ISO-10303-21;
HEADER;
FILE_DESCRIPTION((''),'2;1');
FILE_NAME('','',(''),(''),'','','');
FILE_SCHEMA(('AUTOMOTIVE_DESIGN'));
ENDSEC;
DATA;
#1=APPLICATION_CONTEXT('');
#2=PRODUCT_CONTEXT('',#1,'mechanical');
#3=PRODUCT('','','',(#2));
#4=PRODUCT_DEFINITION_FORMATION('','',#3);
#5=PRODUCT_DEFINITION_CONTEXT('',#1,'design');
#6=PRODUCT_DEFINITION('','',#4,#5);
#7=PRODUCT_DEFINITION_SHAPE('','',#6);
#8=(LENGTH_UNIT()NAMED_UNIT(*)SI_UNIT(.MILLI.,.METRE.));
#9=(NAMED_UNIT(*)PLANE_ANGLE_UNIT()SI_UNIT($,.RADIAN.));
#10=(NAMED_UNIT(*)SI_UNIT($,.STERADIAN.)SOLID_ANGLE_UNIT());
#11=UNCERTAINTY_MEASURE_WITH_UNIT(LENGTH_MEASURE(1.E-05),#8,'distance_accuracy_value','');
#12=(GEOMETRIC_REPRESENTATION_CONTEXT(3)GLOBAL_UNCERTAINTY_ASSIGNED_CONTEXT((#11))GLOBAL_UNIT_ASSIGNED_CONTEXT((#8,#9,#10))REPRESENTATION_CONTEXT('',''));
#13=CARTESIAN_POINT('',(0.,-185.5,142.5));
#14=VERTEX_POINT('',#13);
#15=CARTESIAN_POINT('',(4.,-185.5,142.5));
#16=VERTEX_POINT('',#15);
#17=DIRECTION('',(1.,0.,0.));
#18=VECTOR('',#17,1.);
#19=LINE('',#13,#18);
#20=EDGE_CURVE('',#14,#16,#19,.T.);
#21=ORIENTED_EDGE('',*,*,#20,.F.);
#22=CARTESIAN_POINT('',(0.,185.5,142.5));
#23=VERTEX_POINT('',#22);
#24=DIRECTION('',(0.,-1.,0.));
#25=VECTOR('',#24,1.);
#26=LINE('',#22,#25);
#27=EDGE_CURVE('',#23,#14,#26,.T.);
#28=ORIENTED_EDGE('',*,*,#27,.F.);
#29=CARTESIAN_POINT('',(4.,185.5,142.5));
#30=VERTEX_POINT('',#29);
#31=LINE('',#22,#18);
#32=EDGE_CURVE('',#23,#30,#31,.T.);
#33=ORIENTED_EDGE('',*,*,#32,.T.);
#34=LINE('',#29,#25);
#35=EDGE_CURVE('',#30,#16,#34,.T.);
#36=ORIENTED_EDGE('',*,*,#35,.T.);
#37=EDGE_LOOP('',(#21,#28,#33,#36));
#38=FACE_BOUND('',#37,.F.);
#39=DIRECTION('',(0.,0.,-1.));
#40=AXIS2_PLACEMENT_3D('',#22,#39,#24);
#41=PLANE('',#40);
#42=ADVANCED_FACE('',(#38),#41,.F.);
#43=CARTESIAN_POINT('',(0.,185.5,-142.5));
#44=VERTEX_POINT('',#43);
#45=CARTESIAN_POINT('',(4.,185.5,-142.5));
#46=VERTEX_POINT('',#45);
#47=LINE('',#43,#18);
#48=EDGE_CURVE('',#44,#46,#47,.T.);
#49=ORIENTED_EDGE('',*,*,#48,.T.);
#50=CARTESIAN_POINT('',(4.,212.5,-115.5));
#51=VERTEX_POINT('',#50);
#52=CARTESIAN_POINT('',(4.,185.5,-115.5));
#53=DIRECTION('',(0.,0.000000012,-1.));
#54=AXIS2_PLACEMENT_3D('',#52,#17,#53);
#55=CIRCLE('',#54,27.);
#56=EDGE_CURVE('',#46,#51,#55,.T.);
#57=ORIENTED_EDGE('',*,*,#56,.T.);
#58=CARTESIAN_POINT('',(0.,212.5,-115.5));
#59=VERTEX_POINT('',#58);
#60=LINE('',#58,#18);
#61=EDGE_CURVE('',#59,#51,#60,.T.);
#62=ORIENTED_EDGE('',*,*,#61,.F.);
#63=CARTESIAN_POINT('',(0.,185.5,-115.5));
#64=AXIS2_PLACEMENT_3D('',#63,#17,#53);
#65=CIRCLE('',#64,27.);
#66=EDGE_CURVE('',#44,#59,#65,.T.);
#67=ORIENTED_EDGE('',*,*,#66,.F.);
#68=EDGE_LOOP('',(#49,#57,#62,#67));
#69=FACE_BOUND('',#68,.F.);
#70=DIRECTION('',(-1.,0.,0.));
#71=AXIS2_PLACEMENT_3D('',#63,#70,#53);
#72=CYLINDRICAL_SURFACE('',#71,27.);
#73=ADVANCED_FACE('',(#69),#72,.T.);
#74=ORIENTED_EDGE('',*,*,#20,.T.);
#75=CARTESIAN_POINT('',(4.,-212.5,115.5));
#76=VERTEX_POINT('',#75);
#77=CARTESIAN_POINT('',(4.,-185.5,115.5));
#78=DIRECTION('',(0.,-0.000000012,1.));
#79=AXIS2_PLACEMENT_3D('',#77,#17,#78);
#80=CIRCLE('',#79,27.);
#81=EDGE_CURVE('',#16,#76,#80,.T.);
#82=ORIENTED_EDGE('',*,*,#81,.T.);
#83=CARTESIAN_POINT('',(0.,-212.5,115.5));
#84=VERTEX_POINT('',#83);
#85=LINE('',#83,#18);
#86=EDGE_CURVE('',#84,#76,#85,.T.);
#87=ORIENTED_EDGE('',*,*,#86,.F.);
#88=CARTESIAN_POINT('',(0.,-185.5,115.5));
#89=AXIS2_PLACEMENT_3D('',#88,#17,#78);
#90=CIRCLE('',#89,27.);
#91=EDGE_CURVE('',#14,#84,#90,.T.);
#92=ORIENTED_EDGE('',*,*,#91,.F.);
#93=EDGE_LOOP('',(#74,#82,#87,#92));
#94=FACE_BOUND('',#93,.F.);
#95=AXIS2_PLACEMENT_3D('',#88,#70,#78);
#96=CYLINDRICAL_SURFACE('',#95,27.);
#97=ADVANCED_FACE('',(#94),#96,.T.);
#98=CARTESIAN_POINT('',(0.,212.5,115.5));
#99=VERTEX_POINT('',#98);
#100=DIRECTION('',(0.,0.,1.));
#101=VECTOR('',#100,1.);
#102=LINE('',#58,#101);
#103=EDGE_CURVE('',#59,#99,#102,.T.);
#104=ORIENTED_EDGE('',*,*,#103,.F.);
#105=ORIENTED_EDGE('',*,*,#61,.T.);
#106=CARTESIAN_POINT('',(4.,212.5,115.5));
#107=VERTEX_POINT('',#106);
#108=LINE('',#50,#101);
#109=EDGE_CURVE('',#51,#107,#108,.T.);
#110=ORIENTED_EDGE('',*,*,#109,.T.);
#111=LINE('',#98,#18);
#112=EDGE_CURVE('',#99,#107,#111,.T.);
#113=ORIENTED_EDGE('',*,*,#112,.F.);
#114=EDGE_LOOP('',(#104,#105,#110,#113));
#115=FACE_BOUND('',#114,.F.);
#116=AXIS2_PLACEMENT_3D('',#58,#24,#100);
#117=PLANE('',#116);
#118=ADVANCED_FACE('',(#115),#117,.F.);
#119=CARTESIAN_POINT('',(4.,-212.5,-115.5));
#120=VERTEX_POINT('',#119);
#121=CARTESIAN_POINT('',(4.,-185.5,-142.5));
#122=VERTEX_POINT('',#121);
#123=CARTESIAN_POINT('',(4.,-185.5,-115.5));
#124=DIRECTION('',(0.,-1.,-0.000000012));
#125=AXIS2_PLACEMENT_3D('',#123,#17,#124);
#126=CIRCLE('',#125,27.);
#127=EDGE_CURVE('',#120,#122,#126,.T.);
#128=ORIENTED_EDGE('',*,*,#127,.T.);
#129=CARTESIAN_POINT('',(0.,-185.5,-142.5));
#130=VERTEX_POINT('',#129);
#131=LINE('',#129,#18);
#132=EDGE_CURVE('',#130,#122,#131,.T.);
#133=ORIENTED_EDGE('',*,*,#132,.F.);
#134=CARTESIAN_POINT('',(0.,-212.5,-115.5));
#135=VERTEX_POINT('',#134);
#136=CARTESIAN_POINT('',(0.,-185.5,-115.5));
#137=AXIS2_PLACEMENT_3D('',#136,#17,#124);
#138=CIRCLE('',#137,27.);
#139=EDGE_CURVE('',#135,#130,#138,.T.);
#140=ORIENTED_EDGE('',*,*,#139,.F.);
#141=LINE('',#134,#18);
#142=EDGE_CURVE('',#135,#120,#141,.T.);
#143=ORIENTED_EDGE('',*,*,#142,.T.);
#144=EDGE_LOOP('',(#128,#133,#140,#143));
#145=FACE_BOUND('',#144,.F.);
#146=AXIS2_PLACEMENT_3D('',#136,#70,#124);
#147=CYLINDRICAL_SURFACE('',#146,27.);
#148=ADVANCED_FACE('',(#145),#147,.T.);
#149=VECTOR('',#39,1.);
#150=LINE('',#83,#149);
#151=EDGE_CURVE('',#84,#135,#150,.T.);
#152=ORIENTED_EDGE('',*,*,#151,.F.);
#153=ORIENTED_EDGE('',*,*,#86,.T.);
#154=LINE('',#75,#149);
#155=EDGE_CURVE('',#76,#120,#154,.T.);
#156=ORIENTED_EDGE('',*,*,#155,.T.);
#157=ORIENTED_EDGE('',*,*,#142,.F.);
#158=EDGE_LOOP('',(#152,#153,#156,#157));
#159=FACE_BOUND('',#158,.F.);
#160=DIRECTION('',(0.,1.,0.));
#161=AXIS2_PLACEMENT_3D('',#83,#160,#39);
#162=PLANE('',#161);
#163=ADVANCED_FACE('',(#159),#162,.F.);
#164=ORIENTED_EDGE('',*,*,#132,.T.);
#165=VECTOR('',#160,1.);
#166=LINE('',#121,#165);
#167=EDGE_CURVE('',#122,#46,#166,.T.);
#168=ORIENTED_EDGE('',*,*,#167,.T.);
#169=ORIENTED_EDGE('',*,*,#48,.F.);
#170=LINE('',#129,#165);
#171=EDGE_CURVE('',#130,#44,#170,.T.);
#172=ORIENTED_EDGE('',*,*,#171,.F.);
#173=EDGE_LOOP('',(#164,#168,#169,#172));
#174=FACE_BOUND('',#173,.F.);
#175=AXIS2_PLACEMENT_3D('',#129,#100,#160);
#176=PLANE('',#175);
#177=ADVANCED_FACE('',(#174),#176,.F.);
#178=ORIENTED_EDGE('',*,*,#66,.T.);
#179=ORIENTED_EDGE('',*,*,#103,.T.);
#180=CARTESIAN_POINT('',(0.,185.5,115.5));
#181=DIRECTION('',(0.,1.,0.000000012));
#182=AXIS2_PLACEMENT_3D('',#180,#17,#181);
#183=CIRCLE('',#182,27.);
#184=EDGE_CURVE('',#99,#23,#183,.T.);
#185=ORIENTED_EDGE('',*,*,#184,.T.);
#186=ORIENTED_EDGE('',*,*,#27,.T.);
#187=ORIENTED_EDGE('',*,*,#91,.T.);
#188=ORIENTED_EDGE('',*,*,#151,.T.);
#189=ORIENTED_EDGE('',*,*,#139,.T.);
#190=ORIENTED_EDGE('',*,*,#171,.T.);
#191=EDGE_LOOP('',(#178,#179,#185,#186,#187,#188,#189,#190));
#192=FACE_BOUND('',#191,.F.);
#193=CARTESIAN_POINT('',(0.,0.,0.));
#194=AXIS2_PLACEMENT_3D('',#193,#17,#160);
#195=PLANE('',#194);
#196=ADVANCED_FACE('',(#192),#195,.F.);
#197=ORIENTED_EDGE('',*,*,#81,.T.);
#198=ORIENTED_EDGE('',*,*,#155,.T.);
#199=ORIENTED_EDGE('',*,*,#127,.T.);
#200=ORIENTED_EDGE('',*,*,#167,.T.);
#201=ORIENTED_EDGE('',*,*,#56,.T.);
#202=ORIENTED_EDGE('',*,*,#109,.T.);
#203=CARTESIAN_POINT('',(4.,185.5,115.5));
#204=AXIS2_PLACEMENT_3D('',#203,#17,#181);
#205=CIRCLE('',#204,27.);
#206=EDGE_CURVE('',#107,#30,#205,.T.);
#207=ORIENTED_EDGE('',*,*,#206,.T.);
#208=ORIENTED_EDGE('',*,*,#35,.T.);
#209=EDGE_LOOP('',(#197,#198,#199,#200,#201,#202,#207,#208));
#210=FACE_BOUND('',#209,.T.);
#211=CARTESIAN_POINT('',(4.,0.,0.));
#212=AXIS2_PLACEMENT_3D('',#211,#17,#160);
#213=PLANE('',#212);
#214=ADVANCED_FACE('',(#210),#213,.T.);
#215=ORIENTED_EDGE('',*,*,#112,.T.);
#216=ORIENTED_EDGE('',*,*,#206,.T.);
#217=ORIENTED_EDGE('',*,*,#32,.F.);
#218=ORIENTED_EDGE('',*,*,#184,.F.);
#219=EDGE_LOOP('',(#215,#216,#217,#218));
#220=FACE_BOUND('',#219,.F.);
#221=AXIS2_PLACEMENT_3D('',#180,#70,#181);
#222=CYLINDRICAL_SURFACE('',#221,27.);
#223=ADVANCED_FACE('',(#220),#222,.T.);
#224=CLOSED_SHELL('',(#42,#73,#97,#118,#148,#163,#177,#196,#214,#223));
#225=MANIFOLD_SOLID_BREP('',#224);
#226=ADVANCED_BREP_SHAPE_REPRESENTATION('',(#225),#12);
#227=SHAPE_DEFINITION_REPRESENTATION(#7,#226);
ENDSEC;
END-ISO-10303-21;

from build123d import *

# Parameters (mm, degrees)
PAD_DEPTH = 4


with BuildPart() as part:
    # Sketch → Pad (new body)
    with BuildSketch(Plane.YZ):
        with BuildLine():
            Line((-212.5, 115.5), (-212.5, -115.5))
            ThreePointArc((-212.5, -115.5), (-204.591883, -134.591883), (-185.5, -142.5))
            Line((-185.5, -142.5), (185.5, -142.5))
            ThreePointArc((185.5, -142.5), (204.591883, -134.591883), (212.5, -115.5))
            Line((212.5, -115.5), (212.5, 115.5))
            ThreePointArc((212.5, 115.5), (204.591883, 134.591883), (185.5, 142.5))
            Line((185.5, 142.5), (-185.5, 142.5))
            ThreePointArc((-185.5, 142.5), (-204.591883, 134.591883), (-212.5, 115.5))
        make_face()
    extrude(amount=PAD_DEPTH)


solid = part.part
